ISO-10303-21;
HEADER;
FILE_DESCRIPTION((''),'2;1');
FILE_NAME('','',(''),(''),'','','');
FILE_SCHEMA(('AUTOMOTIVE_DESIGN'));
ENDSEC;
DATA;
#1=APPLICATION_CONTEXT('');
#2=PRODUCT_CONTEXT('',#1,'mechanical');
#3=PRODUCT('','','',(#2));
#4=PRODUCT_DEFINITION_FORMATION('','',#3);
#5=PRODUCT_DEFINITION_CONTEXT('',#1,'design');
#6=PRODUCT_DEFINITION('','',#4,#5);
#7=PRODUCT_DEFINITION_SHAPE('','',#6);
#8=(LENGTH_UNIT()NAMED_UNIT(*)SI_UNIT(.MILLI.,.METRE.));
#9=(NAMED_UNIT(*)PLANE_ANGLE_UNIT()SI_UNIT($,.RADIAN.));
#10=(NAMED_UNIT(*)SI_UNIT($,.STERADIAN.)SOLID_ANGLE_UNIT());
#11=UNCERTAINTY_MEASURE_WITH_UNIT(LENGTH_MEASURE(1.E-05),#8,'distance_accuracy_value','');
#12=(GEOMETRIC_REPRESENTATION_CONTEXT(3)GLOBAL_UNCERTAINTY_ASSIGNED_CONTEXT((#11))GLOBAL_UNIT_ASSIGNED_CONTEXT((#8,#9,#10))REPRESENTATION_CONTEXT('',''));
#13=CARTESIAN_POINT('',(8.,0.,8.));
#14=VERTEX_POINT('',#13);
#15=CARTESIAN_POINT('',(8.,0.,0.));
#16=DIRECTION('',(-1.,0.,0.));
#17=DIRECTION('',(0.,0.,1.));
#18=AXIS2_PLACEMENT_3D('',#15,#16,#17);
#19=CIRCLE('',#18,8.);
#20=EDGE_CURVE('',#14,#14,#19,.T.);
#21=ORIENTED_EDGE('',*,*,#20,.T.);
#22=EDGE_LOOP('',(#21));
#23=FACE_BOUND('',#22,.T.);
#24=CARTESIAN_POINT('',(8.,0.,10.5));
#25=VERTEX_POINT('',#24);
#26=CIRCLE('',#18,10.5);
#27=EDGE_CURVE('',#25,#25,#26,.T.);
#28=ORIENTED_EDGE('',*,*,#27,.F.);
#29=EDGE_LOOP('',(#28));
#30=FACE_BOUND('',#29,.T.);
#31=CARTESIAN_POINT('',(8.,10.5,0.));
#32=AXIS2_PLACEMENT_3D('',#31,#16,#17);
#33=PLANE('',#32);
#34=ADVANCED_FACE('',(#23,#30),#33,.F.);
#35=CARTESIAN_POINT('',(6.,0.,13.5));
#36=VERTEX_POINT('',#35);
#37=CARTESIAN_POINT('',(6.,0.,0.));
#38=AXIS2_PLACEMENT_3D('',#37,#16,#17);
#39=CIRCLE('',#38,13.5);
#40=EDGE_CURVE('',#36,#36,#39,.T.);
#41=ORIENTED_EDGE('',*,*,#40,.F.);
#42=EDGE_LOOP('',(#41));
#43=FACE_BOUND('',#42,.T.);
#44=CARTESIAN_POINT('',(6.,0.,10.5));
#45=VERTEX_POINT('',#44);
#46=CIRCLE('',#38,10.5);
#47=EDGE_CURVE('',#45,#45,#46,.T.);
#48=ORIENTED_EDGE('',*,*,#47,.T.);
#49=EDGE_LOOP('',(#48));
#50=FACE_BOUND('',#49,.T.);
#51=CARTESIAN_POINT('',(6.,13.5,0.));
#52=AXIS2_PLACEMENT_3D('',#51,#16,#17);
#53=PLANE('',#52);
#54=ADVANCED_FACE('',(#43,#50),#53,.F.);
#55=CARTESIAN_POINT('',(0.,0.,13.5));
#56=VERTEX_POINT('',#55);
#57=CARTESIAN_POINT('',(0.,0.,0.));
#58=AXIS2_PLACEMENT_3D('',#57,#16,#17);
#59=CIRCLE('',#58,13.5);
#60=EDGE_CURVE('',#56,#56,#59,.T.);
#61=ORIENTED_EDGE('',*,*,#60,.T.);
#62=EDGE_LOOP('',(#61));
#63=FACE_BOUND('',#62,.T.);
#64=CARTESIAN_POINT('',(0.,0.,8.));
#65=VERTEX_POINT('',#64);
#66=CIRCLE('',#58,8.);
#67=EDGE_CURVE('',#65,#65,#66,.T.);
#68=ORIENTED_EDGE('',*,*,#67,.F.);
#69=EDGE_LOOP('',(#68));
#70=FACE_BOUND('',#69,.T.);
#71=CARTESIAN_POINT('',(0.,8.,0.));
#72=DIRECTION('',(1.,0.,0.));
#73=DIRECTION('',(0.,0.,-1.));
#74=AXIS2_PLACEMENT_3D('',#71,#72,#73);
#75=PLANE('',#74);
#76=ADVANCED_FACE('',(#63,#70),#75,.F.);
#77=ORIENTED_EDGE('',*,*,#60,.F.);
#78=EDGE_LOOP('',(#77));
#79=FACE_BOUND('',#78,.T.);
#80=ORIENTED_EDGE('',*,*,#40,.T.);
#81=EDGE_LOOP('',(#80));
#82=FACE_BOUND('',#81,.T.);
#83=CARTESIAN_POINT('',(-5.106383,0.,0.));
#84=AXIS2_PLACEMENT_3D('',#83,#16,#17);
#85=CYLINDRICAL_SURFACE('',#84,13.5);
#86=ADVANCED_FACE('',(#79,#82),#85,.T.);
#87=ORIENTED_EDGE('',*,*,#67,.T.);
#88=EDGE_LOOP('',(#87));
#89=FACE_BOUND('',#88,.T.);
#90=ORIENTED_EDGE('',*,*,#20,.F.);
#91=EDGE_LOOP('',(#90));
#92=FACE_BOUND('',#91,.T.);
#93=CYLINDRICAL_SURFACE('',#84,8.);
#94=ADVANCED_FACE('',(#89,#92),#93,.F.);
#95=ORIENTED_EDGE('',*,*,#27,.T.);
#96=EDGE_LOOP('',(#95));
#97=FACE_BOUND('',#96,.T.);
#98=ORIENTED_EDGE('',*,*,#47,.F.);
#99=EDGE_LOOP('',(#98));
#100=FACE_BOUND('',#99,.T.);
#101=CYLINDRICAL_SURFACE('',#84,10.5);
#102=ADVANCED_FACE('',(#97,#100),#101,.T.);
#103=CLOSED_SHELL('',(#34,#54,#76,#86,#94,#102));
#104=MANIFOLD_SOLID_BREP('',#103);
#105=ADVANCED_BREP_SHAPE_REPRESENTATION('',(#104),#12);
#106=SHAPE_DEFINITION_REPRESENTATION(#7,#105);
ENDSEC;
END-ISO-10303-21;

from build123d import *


with BuildPart() as part:
    # 草图1 → 旋转1 (revolve)
    with BuildSketch(Plane.XY, mode=Mode.PRIVATE) as revolve_1_sk:
        Polygon((0, 8), (0, 13.5), (6, 13.5), (6, 10.5), (8, 10.5), (8, 8), align=None)
    revolve(revolve_1_sk.sketch.rotate(Axis((-5.106382979, 0, 0), (1, 0, 0)), 90), axis=Axis((-5.106382979, 0, 0), (1, 0, 0)))


solid = part.part
